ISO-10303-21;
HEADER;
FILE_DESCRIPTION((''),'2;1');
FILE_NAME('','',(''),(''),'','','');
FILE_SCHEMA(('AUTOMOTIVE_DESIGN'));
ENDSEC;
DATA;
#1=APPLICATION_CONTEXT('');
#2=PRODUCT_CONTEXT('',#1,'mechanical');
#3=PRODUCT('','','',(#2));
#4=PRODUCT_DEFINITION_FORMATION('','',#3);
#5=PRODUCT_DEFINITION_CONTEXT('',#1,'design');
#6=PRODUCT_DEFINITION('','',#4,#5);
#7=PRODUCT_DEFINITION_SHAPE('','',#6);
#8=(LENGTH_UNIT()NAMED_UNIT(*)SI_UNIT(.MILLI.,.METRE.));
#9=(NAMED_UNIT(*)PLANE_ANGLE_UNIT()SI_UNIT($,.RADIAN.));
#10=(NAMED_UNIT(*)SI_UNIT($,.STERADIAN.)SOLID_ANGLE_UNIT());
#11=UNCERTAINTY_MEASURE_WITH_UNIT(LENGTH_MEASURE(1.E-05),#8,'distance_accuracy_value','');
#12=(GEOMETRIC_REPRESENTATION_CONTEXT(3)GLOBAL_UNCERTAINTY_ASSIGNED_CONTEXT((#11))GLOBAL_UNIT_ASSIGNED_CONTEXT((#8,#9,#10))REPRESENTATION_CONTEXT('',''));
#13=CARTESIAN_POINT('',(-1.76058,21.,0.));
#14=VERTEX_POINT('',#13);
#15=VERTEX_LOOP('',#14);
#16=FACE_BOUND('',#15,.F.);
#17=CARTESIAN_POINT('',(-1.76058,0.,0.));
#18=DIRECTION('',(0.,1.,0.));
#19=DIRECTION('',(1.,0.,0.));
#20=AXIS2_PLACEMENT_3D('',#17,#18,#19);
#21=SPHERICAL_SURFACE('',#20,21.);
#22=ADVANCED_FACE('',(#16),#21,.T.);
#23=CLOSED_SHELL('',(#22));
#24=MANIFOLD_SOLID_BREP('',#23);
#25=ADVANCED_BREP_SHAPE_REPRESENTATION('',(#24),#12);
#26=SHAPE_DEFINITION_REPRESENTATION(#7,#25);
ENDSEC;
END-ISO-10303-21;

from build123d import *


with BuildPart() as part:
    # 草图1 → 旋转1 (revolve)
    with BuildSketch(Plane.XY):
        with BuildLine():
            Line((-1.760579704, 21), (-1.760579704, -21))
            ThreePointArc((-1.760579704, -21), (19.239420296, 0), (-1.760579704, 21))
        make_face()
    revolve(axis=Axis((-1.760579704, 21, 0), (0, -1, 0)))


solid = part.part
